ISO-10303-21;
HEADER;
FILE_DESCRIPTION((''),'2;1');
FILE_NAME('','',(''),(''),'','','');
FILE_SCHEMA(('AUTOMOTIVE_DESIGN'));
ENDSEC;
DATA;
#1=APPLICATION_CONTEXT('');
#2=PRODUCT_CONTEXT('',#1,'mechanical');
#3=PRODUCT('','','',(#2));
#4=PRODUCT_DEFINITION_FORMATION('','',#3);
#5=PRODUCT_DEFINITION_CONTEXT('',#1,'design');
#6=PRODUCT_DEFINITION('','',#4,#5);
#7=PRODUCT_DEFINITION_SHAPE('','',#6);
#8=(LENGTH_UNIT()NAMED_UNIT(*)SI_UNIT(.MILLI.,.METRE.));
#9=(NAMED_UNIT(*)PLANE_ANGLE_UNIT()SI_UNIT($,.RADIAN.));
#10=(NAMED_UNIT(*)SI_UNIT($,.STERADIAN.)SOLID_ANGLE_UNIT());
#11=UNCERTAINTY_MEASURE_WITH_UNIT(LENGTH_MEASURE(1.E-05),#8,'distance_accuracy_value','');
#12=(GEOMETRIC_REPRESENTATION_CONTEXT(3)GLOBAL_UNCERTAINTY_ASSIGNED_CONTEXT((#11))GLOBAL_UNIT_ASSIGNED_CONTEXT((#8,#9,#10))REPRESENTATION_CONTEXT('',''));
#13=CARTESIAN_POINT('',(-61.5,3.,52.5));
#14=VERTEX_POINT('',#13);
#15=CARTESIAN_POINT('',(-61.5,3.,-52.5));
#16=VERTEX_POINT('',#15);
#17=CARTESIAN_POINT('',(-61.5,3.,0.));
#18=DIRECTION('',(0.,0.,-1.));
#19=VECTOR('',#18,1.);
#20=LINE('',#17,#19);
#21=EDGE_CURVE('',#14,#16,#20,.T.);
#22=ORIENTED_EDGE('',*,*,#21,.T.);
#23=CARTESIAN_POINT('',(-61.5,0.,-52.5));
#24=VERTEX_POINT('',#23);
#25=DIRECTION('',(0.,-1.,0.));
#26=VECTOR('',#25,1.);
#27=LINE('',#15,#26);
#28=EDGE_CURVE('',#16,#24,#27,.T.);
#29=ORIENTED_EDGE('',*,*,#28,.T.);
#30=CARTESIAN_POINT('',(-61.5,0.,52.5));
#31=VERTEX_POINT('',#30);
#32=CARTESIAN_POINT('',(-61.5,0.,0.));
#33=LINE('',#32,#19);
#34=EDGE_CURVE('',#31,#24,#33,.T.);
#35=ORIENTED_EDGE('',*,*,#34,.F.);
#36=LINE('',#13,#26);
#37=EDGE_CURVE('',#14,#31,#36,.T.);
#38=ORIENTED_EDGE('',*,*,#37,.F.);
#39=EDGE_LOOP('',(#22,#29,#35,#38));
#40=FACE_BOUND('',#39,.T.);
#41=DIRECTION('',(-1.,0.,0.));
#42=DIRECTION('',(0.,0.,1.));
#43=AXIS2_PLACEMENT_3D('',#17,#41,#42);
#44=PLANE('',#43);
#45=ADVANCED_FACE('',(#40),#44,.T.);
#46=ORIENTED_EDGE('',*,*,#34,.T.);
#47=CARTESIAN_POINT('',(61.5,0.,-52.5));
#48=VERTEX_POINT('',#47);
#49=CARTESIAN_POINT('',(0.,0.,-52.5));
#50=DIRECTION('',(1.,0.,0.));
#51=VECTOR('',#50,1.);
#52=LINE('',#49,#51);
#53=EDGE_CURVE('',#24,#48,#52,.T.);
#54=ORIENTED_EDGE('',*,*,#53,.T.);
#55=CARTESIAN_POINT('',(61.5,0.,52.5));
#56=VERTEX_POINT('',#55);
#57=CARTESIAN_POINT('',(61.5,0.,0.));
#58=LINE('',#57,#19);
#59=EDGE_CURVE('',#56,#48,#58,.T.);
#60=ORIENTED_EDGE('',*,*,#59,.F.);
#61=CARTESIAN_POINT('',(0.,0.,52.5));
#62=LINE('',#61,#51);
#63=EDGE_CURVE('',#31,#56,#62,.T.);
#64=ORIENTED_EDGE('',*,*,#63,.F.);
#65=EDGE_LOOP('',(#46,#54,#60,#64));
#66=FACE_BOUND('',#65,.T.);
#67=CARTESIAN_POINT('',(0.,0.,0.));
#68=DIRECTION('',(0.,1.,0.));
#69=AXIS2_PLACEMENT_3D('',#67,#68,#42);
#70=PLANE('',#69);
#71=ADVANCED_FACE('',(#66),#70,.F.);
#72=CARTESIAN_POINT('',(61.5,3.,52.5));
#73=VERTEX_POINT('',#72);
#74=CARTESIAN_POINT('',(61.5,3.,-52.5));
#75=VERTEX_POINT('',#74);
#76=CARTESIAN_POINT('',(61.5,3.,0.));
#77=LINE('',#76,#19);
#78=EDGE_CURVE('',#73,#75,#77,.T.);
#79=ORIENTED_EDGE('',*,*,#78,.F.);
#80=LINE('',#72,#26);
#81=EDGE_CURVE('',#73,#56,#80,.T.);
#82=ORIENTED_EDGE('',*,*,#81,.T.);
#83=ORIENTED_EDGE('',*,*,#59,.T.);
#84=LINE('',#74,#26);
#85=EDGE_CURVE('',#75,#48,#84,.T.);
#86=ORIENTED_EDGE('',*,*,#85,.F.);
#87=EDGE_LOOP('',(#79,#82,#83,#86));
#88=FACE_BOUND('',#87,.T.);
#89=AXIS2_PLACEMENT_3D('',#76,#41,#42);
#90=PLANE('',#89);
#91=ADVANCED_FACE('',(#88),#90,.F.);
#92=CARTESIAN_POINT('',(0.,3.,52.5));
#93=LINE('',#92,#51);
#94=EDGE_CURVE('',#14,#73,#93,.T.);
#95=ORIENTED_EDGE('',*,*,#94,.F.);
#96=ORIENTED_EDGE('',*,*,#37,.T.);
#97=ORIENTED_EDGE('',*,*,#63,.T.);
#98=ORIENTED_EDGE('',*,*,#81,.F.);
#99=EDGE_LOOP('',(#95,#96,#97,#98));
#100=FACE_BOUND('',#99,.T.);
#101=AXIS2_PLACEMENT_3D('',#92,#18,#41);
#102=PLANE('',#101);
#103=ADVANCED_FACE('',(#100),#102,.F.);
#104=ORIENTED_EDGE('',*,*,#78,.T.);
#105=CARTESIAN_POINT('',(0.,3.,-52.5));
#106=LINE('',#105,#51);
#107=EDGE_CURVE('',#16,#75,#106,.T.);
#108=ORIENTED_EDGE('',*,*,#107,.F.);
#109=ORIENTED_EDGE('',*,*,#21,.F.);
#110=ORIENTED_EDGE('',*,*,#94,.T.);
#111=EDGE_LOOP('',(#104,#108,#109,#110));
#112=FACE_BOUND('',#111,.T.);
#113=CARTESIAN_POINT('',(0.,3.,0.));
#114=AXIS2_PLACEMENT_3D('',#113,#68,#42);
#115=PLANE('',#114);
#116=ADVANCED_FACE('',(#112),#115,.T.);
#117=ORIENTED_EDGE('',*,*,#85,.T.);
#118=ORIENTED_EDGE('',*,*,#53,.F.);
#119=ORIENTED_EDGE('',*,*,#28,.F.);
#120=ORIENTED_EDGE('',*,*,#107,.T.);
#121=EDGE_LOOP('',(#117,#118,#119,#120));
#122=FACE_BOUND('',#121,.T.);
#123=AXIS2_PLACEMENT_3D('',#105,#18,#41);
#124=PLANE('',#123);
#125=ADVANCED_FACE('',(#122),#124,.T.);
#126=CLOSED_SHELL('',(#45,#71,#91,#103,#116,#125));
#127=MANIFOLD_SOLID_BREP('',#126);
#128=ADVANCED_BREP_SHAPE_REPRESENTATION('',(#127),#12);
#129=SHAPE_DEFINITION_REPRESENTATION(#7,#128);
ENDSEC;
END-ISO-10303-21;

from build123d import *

# Parameters (mm, degrees)
SKETCH1_W       = 123
SKETCH1_H       = 105
BASEPLATE_DEPTH = 3


with BuildPart() as part:
    # Sketch1 → BasePlate (new body)
    with BuildSketch(Plane(origin=(0, 0, 0), x_dir=(1, 0, 0), z_dir=(0, 1, 0))):
        Rectangle(SKETCH1_W, SKETCH1_H)
    extrude(amount=BASEPLATE_DEPTH)


solid = part.part
